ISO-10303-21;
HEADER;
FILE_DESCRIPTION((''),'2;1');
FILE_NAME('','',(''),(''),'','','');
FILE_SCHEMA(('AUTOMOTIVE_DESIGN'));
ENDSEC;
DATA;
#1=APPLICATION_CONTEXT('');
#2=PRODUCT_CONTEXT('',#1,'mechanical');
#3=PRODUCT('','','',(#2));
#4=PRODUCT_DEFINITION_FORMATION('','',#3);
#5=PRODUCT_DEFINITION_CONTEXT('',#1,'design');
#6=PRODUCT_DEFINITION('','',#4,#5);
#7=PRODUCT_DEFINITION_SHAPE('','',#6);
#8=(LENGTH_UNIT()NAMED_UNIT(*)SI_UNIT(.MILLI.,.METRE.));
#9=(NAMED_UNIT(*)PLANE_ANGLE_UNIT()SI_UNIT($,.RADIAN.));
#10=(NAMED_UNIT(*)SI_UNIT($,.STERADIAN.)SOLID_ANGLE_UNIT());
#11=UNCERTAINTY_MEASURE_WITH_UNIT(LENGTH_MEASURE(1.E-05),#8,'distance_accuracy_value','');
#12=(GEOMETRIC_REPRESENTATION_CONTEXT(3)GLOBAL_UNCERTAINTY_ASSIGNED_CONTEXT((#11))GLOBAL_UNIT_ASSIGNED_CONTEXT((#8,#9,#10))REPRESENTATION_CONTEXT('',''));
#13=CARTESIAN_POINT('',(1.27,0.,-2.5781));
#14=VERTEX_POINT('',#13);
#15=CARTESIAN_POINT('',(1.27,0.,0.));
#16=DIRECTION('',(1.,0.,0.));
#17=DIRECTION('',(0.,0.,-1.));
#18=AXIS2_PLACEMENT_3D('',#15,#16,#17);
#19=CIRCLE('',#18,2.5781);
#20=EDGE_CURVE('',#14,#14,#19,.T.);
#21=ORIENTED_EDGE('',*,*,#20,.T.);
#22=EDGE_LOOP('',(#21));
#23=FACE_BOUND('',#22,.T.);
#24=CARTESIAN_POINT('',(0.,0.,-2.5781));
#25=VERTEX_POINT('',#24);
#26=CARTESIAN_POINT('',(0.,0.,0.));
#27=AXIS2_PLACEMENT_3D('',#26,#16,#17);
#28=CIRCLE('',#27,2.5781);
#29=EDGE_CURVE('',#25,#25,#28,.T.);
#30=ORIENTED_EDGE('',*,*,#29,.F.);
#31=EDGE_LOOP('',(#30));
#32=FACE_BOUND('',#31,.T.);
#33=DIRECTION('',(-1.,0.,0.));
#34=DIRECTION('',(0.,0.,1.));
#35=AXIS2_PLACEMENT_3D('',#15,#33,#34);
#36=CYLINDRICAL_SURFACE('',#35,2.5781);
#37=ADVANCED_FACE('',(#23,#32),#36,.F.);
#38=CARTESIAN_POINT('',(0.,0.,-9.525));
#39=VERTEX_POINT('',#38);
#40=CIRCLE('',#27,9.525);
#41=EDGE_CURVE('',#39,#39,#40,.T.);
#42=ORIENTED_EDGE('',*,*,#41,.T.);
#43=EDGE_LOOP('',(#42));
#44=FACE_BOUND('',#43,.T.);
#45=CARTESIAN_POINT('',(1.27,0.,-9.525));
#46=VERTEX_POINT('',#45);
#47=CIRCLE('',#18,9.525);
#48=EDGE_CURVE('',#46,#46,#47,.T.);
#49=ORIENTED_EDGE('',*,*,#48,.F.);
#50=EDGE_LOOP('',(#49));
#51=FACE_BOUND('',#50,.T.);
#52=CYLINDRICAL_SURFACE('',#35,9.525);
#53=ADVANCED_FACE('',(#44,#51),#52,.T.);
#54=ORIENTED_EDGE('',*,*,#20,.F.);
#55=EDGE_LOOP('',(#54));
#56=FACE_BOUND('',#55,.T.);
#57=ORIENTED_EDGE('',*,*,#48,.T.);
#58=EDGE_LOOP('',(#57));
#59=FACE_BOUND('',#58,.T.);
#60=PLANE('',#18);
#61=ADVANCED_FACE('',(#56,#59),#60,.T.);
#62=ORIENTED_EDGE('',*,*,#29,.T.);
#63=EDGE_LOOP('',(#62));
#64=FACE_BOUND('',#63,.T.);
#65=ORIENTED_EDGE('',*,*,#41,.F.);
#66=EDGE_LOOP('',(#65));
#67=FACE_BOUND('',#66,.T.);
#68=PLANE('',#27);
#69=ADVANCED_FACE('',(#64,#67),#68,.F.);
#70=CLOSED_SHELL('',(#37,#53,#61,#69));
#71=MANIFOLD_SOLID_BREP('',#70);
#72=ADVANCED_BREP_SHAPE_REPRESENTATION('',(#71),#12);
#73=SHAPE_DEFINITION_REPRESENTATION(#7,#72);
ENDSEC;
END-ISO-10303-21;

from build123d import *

# Parameters (mm, degrees)
SKETCH1_R           = 9.525
SKETCH1_R_2         = 2.5781
BOSS_EXTRUDE1_DEPTH = 1.27


with BuildPart() as part:
    # Sketch1 → Boss-Extrude1 (new body)
    with BuildSketch(Plane(origin=(0, 0, 0), x_dir=(0, 0, -1), z_dir=(1, 0, 0))):
        Circle(SKETCH1_R)
        Circle(SKETCH1_R_2, mode=Mode.SUBTRACT)
    extrude(amount=BOSS_EXTRUDE1_DEPTH)


solid = part.part
